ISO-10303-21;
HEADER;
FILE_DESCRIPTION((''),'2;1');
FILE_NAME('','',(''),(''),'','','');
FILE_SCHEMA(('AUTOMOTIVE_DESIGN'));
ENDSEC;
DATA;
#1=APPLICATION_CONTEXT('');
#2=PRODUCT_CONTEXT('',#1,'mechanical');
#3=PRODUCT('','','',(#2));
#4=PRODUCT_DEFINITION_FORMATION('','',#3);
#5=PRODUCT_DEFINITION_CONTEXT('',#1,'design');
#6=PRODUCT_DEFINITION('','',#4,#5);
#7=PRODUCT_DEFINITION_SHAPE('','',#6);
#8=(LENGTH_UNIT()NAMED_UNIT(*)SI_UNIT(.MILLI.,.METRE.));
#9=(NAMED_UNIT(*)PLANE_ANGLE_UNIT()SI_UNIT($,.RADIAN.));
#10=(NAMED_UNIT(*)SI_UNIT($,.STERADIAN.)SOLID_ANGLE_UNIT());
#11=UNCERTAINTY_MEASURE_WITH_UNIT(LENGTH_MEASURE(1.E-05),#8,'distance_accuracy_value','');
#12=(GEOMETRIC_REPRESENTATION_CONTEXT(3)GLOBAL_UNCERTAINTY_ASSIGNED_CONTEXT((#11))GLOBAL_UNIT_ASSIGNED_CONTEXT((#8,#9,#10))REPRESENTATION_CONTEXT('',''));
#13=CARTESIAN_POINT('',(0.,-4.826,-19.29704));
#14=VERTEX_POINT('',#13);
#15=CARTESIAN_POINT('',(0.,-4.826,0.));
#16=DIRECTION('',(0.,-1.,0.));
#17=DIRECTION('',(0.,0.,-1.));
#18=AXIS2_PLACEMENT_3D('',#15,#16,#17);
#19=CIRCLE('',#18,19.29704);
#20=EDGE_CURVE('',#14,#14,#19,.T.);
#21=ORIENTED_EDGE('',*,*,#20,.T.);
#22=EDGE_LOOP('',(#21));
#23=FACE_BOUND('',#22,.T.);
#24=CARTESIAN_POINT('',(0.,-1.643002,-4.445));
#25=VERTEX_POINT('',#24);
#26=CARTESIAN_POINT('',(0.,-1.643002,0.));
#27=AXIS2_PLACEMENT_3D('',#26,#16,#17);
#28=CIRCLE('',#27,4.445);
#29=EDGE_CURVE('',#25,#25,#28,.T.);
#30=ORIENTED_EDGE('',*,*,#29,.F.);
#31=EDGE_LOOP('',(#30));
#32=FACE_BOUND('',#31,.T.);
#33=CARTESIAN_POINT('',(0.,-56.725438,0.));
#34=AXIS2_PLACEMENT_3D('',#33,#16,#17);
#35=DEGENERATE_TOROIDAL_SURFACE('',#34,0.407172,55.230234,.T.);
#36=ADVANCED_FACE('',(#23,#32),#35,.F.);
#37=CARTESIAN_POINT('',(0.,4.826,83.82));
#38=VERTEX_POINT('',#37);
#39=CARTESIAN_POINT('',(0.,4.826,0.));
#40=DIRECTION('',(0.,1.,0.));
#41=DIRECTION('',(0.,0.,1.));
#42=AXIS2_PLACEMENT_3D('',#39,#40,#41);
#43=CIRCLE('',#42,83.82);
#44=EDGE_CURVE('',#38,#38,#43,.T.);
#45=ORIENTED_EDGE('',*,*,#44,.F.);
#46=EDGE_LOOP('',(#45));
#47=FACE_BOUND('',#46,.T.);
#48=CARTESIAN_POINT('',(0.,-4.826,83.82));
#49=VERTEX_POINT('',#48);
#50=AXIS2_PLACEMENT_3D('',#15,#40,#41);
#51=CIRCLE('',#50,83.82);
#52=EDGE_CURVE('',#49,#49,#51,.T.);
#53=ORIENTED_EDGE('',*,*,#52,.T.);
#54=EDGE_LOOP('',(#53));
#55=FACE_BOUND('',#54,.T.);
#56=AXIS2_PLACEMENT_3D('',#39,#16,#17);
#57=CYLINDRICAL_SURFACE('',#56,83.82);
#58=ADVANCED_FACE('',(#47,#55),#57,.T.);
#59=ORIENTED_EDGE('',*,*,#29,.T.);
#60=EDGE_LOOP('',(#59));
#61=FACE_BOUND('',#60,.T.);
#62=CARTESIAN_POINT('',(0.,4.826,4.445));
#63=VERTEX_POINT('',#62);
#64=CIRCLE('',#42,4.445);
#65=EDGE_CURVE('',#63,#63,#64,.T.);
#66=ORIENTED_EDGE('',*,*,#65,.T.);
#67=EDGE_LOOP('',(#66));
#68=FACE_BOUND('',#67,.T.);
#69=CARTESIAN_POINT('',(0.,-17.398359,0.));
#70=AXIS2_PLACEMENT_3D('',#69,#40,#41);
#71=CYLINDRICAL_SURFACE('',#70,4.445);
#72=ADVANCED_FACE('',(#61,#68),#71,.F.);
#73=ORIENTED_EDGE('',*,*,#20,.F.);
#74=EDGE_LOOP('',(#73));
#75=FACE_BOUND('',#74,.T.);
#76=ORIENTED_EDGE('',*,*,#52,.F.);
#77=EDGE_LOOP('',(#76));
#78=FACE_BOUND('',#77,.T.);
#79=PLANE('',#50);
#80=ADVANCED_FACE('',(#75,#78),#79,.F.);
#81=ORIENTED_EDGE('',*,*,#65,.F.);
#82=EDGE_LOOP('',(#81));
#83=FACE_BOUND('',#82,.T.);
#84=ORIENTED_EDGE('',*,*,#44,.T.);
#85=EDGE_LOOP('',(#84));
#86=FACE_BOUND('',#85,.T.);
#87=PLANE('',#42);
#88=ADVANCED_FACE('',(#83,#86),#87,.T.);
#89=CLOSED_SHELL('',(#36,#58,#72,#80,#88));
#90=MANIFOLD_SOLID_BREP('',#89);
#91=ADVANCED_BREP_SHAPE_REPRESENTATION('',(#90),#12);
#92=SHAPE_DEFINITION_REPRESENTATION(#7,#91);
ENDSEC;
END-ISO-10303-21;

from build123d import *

# Parameters (mm, degrees)
SKETCH1_R           = 83.82
BOSS_EXTRUDE1_DEPTH = 4.826
SKETCH3_R           = 4.445
CUT_EXTRUDE1_DEPTH  = 9.652


with BuildPart() as part:
    # Sketch1 → Boss-Extrude1 (new body, symmetric)
    with BuildSketch(Plane(origin=(0, 0, 0), x_dir=(1, 0, 0), z_dir=(0, 1, 0))):
        Circle(SKETCH1_R)
    extrude(amount=BOSS_EXTRUDE1_DEPTH, both=True)

    # Sketch2 → Cut-Revolve1 (revolve, cut)
    with BuildSketch(Plane.XY):
        with BuildLine():
            Line((0, -4.826), (-19.2970404, -4.826))
            ThreePointArc((-19.2970404, -4.826), (-9.985310315, -2.33207385), (-0.381787908, -1.495209354))
            Line((-0.381787908, -1.495209354), (0, -1.495209354))
            Line((0, -1.495209354), (0, -4.826))
        make_face()
    revolve(axis=Axis((0, -18.327530441, 0), (0, 1, 0)), mode=Mode.SUBTRACT)

    # Sketch3 → Cut-Extrude1 (cut)
    with BuildSketch(Plane(origin=(0, 4.826, 0), x_dir=(1, 0, 0), z_dir=(0, 1, 0))):
        Circle(SKETCH3_R)
    extrude(amount=-CUT_EXTRUDE1_DEPTH, mode=Mode.SUBTRACT)


solid = part.part
